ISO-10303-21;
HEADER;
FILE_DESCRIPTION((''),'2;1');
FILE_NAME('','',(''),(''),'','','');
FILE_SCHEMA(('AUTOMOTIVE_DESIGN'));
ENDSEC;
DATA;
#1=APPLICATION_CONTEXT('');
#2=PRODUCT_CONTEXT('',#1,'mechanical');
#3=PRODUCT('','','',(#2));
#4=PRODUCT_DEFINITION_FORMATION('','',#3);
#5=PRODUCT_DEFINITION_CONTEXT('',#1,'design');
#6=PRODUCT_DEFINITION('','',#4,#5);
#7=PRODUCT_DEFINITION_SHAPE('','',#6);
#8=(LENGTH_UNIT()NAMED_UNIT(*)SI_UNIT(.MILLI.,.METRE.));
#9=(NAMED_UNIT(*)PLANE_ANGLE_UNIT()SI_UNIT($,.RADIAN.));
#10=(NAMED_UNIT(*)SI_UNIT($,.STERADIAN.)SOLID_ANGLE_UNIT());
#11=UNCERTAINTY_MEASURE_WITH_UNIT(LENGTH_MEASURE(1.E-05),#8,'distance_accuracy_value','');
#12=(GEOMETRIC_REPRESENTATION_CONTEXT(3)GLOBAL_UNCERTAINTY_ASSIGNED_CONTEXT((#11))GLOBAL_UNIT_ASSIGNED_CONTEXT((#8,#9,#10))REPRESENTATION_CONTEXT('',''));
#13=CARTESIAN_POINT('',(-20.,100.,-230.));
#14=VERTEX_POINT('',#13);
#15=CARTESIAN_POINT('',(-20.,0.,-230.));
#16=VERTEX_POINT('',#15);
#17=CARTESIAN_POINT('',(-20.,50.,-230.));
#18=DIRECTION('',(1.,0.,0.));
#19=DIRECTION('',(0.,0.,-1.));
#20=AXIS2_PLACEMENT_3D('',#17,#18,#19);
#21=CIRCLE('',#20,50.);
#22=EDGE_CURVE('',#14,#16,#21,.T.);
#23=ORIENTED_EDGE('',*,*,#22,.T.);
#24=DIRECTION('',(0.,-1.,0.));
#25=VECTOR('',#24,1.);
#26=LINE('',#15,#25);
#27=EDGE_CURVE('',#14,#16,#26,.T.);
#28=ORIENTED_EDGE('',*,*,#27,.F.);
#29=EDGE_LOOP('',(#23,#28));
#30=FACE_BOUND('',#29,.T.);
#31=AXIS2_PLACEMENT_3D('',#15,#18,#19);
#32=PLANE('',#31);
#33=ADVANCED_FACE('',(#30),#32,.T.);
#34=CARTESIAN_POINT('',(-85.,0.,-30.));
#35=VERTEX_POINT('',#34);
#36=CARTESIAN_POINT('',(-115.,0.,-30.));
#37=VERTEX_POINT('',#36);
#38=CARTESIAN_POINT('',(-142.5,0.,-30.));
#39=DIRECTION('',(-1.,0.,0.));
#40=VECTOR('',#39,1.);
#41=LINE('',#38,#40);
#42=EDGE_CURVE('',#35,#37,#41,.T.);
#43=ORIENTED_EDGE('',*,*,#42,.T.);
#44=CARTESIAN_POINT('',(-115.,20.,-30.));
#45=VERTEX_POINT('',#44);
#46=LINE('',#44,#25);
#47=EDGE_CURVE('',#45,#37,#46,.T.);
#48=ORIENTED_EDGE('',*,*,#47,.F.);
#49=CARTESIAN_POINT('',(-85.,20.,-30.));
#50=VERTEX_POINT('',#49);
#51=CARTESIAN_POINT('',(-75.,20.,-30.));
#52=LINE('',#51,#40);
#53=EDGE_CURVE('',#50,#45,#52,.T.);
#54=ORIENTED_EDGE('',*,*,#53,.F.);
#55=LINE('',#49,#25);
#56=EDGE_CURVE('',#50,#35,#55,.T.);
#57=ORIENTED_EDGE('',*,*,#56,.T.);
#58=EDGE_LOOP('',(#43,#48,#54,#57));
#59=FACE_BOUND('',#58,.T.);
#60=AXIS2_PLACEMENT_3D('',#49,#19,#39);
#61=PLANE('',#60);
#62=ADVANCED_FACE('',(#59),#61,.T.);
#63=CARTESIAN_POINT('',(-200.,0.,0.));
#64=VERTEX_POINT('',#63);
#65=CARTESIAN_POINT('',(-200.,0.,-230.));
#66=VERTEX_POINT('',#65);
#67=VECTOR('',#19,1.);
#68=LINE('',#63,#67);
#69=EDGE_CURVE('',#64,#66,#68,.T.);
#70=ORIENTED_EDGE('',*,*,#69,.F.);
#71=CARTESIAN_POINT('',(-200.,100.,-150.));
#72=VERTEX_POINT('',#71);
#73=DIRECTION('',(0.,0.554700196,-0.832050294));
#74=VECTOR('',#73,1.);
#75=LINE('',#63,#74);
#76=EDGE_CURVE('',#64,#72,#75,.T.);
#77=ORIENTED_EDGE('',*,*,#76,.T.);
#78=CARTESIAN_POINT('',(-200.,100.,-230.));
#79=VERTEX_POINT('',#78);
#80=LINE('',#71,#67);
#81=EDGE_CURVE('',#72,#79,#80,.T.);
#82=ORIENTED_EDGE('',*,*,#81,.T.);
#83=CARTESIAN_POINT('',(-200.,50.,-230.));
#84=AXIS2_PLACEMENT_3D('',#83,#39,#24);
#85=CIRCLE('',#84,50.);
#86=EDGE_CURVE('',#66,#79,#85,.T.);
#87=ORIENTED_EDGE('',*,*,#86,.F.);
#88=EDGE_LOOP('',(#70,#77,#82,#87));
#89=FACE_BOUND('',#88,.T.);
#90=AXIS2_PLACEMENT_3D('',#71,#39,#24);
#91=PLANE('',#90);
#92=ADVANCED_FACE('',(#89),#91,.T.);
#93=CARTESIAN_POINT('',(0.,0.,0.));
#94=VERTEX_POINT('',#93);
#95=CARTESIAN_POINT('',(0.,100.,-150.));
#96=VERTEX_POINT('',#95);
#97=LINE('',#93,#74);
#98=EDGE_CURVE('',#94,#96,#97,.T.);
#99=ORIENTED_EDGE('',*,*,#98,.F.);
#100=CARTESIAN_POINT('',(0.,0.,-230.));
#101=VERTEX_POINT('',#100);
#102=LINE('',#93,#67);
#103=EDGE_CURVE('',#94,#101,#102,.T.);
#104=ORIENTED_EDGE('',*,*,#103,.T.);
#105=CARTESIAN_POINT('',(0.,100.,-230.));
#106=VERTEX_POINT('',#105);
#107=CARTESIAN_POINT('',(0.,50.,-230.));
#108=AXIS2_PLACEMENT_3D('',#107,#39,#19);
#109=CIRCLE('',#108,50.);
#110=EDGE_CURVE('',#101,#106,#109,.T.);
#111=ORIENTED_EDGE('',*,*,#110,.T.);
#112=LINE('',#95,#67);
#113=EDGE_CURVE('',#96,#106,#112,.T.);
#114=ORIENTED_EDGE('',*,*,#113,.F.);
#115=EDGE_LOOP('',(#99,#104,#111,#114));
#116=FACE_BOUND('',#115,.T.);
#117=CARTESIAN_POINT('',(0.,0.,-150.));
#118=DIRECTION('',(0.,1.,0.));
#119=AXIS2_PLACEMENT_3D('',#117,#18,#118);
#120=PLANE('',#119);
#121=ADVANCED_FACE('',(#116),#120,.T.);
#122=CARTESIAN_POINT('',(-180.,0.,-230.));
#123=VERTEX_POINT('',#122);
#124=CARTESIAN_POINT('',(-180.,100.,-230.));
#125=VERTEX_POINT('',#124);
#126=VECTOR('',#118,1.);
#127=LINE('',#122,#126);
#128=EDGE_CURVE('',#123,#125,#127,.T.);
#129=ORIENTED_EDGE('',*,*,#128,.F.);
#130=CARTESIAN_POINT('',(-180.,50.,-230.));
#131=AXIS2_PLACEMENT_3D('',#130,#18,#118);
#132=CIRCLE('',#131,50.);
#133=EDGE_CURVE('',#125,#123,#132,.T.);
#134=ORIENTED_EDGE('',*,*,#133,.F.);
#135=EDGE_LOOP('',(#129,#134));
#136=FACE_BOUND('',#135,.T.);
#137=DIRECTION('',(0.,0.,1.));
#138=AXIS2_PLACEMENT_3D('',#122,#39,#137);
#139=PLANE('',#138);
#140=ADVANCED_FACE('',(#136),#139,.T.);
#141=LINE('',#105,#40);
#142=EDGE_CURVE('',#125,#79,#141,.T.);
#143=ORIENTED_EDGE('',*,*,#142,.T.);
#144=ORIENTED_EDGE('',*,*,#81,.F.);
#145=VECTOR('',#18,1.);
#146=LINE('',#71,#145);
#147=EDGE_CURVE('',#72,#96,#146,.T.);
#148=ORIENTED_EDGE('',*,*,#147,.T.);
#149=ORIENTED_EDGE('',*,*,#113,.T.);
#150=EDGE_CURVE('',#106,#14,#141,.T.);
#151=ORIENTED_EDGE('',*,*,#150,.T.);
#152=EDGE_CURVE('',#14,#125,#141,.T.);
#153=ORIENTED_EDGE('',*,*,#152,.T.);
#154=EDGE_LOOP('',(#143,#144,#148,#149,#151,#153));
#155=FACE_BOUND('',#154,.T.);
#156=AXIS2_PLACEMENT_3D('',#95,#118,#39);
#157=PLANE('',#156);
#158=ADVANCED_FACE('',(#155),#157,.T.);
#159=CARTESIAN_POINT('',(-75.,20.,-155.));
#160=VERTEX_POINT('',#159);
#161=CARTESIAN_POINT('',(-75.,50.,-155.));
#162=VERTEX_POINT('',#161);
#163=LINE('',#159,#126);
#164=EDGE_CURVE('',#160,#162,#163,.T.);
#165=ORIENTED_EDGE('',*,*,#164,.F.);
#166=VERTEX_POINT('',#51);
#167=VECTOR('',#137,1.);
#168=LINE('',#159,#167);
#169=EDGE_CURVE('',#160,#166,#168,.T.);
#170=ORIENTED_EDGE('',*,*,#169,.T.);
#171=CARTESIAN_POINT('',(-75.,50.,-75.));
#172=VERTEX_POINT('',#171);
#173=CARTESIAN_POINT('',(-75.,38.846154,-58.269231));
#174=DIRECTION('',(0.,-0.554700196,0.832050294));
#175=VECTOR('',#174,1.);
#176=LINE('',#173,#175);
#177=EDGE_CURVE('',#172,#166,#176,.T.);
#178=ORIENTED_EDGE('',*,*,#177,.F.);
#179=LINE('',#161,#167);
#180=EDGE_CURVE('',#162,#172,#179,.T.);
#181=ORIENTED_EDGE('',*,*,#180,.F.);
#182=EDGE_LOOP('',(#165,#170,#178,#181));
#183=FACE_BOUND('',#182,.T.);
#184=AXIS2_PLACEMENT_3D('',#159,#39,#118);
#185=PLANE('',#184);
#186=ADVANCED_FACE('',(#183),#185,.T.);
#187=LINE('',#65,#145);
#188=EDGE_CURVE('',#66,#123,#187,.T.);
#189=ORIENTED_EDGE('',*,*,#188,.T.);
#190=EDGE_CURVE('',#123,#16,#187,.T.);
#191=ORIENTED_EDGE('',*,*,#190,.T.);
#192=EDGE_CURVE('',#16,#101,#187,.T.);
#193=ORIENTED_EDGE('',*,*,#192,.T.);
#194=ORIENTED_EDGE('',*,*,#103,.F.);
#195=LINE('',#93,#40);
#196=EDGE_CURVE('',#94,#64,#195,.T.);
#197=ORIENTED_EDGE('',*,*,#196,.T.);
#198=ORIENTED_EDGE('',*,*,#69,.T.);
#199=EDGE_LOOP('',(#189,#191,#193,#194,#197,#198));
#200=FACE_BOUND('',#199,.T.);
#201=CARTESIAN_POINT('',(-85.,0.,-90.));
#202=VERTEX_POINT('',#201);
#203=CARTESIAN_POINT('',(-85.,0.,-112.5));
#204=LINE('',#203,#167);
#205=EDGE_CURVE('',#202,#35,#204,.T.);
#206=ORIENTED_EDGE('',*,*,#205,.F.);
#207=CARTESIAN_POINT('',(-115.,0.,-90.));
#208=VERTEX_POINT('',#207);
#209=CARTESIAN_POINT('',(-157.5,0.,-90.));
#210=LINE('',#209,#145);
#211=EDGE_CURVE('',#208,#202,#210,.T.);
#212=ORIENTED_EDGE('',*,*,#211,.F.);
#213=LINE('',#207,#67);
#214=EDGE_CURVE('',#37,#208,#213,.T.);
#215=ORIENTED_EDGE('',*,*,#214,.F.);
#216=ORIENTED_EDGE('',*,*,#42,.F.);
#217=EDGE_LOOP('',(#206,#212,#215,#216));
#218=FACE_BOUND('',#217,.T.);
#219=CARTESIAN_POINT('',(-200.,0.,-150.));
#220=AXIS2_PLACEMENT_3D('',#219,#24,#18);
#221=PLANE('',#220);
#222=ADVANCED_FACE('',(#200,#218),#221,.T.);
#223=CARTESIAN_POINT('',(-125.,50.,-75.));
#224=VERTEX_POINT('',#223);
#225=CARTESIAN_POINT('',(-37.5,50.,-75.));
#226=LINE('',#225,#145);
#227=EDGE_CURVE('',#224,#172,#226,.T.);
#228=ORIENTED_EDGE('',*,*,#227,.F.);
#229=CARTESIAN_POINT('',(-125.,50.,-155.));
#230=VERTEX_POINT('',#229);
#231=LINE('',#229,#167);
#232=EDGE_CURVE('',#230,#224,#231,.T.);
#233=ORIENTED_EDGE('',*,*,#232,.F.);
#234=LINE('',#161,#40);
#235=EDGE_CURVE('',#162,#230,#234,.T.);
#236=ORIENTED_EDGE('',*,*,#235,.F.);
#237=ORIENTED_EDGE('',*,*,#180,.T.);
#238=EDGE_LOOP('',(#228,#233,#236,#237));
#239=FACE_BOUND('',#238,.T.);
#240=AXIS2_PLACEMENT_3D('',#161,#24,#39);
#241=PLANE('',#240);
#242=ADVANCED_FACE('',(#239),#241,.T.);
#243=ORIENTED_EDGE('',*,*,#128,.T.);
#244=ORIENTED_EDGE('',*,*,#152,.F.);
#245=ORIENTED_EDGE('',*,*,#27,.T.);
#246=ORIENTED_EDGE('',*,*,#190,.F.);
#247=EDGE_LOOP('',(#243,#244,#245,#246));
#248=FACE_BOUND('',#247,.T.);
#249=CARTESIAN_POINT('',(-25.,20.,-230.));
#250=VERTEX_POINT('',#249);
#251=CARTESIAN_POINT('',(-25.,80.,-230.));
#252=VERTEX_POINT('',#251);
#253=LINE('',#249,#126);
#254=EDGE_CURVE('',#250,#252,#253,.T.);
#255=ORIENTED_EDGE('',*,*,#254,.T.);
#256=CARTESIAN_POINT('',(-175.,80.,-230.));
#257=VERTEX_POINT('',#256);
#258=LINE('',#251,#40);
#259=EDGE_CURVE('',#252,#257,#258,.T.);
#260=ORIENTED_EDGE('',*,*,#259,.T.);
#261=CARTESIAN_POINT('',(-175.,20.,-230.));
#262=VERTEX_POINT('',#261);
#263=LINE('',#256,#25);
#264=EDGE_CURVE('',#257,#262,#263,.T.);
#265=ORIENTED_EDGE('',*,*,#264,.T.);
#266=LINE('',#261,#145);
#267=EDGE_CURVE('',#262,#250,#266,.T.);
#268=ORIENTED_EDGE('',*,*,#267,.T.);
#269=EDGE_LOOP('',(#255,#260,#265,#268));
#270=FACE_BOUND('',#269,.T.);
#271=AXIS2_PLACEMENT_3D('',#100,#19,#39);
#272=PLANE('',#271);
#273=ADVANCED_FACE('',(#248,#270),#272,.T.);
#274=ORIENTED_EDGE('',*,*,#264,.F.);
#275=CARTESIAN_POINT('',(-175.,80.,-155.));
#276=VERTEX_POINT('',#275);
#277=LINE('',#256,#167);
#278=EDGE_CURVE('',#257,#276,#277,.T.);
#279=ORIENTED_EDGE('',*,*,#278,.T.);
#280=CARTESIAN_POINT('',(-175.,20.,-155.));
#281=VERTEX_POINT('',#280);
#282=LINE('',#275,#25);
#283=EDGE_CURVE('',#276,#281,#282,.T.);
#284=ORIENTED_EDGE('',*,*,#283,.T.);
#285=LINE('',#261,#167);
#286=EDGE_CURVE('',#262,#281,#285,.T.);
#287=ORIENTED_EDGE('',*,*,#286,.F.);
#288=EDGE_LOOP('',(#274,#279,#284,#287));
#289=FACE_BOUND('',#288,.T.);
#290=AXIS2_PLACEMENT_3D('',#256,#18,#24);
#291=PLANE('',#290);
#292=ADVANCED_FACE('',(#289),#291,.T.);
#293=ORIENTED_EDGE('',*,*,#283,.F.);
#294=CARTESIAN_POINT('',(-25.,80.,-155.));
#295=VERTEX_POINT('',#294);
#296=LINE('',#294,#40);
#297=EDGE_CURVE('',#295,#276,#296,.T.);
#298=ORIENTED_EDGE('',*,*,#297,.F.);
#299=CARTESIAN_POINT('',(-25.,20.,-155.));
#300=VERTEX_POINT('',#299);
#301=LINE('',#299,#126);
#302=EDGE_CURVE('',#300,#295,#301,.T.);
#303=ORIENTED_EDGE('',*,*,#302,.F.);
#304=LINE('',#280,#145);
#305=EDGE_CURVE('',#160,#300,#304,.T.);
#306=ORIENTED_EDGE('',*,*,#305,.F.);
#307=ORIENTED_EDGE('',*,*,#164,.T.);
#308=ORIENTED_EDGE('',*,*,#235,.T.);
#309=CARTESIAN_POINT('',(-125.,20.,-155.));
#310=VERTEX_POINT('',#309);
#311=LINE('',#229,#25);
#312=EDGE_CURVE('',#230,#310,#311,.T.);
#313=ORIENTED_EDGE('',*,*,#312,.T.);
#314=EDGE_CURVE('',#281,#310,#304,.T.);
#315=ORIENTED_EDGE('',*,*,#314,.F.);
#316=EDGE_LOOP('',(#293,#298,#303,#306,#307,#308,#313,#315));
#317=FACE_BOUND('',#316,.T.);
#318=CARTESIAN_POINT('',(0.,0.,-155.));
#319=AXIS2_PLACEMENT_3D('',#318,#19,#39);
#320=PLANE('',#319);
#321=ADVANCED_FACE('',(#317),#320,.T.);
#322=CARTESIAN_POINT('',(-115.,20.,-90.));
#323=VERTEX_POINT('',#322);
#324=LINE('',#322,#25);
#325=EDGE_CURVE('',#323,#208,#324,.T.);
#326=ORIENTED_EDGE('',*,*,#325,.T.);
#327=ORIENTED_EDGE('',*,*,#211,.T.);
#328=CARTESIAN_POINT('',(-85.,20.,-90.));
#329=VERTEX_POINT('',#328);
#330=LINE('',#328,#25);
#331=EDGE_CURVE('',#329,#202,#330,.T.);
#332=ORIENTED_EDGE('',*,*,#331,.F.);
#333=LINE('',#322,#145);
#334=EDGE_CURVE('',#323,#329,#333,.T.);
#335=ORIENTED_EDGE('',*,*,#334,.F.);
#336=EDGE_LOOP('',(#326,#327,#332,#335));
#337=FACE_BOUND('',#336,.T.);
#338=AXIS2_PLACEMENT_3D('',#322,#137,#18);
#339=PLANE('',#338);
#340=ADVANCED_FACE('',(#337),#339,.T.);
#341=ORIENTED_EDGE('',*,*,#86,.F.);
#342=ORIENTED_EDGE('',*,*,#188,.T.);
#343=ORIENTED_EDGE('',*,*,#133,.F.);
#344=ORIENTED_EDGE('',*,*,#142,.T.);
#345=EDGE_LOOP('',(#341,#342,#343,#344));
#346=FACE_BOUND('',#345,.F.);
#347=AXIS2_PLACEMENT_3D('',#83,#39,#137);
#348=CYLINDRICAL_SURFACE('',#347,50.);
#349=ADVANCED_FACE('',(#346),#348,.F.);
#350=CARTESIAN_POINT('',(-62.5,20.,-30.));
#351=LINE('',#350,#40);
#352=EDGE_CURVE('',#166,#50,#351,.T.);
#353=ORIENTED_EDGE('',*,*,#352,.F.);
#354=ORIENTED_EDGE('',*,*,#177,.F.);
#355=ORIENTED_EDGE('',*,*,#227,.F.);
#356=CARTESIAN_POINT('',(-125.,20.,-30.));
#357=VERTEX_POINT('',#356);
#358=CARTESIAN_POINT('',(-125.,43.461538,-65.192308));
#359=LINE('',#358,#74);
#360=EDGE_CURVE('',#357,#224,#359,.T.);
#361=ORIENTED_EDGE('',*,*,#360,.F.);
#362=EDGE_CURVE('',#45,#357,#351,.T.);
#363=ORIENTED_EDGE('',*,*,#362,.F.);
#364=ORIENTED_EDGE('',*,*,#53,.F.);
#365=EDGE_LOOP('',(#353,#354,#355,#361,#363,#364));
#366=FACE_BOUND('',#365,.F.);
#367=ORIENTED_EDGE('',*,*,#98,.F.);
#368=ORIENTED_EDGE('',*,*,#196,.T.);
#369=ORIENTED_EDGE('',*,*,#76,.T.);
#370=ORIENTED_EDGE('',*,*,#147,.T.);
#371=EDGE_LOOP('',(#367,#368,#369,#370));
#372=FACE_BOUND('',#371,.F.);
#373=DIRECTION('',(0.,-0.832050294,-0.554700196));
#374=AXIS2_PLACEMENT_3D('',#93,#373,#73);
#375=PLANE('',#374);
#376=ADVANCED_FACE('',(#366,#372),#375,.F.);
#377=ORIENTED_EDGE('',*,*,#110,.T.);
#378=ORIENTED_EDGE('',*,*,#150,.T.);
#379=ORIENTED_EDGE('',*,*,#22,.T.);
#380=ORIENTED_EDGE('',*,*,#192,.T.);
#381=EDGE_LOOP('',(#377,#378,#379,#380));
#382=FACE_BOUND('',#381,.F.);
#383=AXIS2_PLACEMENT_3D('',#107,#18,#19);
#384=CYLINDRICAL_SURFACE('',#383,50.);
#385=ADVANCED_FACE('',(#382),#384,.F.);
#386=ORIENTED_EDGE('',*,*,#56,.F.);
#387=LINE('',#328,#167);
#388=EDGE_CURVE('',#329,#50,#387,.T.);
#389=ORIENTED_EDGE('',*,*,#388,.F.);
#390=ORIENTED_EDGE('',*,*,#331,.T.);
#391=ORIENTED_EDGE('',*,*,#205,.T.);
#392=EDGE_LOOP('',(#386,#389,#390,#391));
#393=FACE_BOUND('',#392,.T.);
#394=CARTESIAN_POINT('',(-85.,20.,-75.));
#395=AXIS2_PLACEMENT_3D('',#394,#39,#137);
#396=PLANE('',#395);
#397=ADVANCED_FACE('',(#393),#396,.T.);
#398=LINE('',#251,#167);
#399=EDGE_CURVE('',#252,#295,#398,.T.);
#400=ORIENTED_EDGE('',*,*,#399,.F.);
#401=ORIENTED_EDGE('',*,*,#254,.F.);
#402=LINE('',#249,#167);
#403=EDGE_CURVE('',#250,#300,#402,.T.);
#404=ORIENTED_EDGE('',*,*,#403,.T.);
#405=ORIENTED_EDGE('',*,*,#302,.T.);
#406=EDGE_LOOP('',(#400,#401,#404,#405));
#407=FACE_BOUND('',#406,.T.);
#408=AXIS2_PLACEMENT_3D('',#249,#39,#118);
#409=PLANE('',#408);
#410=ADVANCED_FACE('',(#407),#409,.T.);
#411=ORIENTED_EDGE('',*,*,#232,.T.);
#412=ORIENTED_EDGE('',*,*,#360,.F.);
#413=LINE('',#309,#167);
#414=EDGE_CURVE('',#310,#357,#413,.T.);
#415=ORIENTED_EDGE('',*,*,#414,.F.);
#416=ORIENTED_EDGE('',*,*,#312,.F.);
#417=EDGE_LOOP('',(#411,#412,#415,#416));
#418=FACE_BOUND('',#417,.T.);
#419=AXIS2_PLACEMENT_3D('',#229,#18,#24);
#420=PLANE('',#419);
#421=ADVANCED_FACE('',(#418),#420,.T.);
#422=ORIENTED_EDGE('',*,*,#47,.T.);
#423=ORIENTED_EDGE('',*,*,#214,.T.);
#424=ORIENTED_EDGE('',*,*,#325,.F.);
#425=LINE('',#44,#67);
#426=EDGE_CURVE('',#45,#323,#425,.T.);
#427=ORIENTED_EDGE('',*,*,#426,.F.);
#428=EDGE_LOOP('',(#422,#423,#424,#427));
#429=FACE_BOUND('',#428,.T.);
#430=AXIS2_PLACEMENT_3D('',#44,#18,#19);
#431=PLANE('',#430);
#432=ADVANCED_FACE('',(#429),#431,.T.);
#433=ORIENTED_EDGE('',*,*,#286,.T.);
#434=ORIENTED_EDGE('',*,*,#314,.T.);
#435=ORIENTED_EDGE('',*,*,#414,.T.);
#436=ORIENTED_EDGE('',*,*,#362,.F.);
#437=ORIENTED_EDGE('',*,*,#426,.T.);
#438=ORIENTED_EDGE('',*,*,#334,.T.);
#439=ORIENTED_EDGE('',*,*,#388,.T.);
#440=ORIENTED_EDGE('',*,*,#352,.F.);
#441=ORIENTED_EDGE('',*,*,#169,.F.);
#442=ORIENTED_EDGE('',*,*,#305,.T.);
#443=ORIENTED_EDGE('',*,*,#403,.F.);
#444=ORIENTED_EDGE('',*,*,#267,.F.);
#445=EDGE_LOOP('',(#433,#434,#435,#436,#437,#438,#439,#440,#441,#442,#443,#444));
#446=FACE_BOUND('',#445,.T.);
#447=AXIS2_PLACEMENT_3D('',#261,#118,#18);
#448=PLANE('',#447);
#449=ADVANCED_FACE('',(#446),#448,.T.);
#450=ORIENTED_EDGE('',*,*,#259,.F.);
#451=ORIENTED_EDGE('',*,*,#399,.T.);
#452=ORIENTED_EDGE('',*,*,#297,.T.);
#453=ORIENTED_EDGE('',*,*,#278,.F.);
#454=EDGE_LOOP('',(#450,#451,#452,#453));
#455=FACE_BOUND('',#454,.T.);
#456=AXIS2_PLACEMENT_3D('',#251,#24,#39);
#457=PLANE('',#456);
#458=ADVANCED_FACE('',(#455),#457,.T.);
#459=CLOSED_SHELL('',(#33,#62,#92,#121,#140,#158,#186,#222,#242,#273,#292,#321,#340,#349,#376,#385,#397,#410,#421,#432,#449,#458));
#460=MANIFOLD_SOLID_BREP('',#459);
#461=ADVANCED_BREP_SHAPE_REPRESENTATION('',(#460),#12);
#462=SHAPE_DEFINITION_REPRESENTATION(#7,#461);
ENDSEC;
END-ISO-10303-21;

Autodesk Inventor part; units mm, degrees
ref_plane "YZ Plane" through (0, 0, 0) normal (1, 0, 0) x (0, 1, 0)
ref_plane "XZ Plane" through (0, 0, 0) normal (0, 1, 0) x (-1, 0, 0)
ref_plane "XY Plane" through (0, 0, 0) normal (0, 0, 1) x (1, 0, 0)
sketch "Sketch1" plane through (0, 0, 0) normal (0, 1, 0) x (-1, 0, 0)
  line L0 (0, 0) -> (200, 0)
  line L1 (200, 0) -> (200, -150)
  line L2 (200, -150) -> (0, -150)
  line L3 (0, -150) -> (0, 0)
  dimension "d0" = 150
  dimension "d1" = 200
extrude "Extrusion1" add sketch "Sketch1" along normal blind 100
sketch "Sketch4" plane through (0, 0, 0) normal (1, 0, 0) x (0, 0, -1)
  line L0 (0, 100) -> (0, 0)
  line L1 (0, 100) -> (150, 100) projected
  line L2 (0, 0) -> (150, 100)
  line L3 (150, 100) -> (0, 100)
extrude "Extrusion3" cut sketch "Sketch4" against normal blind 200
sketch "Sketch5" plane through (0, 0, -150) normal (0, 0, -1) x (-1, 0, 0)
  line L0 (0, 0) -> (0, 100) projected
  line L1 (200, 0) -> (0, 0) projected
  line L2 (0, 100) -> (200, 100)
  line L3 (200, 100) -> (200, 0)
  line L4 (200, 0) -> (0, 0)
  line L5 (0, 0) -> (0, 100)
extrude "Extrusion4" add sketch "Sketch5" along normal blind 80
sketch "Sketch6" plane through (0, 0, -230) normal (0, 0, -1) x (-1, 0, 0)
  line L0 (25, 80) -> (175, 80)
  line L1 (175, 80) -> (175, 20)
  line L2 (175, 20) -> (25, 20)
  line L3 (25, 20) -> (25, 80)
  line L4 (0, 0) -> (200, 0) projected
  line L5 (200, 100) -> (0, 100) projected
  line L6 (200, 0) -> (200, 100) projected
  line L7 (0, 100) -> (0, 0) projected
  dimension "d11" = 150
  dimension "d12" = 60
  dimension "d13" = 20
  dimension "d14" = 25
extrude "Extrusion5" cut sketch "Sketch6" against normal blind 75 contours L0 L1 L2 L3
sketch "Sketch7" plane through (0, 0, -155) normal (0, 0, -1) x (-1, 0, 0)
  line L0 (25, 20) -> (25, 80) projected
  line L1 (175, 80) -> (175, 20) projected
  line L2 (25, 20) -> (25, 80) projected
  line L3 (25, 80) -> (175, 80) projected
  line L4 (175, 80) -> (175, 20) projected
  line L5 (175, 20) -> (25, 20) projected
  line L6 (200, 0) -> (200, 100) projected
  line L7 (200, 100) -> (0, 100) projected
  line L8 (0, 100) -> (0, 0) projected
  line L9 (0, 0) -> (200, 0) projected
  line L10 (175, 20) -> (25, 20) projected
  line L11 (25, 80) -> (175, 80) projected
  line L12 (25, 20) -> (25, 80) projected
  line L13 (175, 20) -> (25, 20) projected
  line L14 (175, 80) -> (175, 20) projected
  line L15 (75, 50) -> (125, 50)
  line L16 (125, 50) -> (125, 20)
  line L17 (125, 20) -> (75, 20)
  line L18 (75, 20) -> (75, 50)
  point P0 (0, 0)
  dimension "d17" = 50
  dimension "d18" = 30
  dimension "d20" = 0
  dimension "d21" = 50
extrude "Extrusion6" cut sketch "Sketch7" against normal up to next contours L18 L15 L16 L5
sketch "Sketch8" plane through (-175, 20, -230) normal (0, 1, 0) x (1, 0, 0)
  line L0 (100, -200) -> (50, -200) projected
  line L1 (100, -155) -> (100, -200) projected
  line L2 (50, -200) -> (50, -155) projected
  line L3 (50, -155) -> (100, -155) projected
  line L4 (100, -155) -> (100, -200) projected
  line L5 (100, -200) -> (50, -200) projected
  line L6 (50, -200) -> (50, -155) projected
  line L7 (50, -155) -> (100, -155) projected
  line L8 (175, -80) -> (175, -230) projected
  line L9 (175, -80) -> (-25, -80) projected
  line L10 (-25, -230) -> (-25, -80) projected
  line L11 (175, -230) -> (-25, -230) projected
  line L12 (90, -200) -> (60, -200)
  line L13 (60, -200) -> (60, -140)
  line L14 (60, -140) -> (90, -140)
  line L15 (90, -140) -> (90, -200)
  dimension "d24" = 30
  dimension "d25" = 60
  dimension "d26" = 0
  dimension "d27" = 10
extrude "Extrusion7" cut sketch "Sketch8" against normal up to next contours L0 L13 L3 L15 | L3 L13 L14 L15
sketch "Sketch9" plane through (0, 0, -230) normal (1, 0, 0) x (0, 0, -1)
  line L0 (0, 100) -> (0, 0) projected
  circle A0 centre (0, 50) radius 50
  point P0 (-230, 0)
  dimension "d30" = 100
extrude "Extrusion8" cut sketch "Sketch9" against normal blind 20
sketch "Sketch10" plane through (-200, 0, -230) normal (-1, 0, 0) x (0, 0, 1)
  circle A0 centre (0, 50) radius 50
  line L0 (0, 0) -> (0, 100) projected
  line L1 (230, 0) -> (0, 0) projected
  dimension "d33" = 100
extrude "Extrusion9" cut sketch "Sketch10" against normal blind 20
sketch "Sketch12" plane through (-180, 0, -230) normal (-1, 0, 0) x (0, 0, 1)
  point P0 (230, 0)
properties part number "Sumobot v1.0"
